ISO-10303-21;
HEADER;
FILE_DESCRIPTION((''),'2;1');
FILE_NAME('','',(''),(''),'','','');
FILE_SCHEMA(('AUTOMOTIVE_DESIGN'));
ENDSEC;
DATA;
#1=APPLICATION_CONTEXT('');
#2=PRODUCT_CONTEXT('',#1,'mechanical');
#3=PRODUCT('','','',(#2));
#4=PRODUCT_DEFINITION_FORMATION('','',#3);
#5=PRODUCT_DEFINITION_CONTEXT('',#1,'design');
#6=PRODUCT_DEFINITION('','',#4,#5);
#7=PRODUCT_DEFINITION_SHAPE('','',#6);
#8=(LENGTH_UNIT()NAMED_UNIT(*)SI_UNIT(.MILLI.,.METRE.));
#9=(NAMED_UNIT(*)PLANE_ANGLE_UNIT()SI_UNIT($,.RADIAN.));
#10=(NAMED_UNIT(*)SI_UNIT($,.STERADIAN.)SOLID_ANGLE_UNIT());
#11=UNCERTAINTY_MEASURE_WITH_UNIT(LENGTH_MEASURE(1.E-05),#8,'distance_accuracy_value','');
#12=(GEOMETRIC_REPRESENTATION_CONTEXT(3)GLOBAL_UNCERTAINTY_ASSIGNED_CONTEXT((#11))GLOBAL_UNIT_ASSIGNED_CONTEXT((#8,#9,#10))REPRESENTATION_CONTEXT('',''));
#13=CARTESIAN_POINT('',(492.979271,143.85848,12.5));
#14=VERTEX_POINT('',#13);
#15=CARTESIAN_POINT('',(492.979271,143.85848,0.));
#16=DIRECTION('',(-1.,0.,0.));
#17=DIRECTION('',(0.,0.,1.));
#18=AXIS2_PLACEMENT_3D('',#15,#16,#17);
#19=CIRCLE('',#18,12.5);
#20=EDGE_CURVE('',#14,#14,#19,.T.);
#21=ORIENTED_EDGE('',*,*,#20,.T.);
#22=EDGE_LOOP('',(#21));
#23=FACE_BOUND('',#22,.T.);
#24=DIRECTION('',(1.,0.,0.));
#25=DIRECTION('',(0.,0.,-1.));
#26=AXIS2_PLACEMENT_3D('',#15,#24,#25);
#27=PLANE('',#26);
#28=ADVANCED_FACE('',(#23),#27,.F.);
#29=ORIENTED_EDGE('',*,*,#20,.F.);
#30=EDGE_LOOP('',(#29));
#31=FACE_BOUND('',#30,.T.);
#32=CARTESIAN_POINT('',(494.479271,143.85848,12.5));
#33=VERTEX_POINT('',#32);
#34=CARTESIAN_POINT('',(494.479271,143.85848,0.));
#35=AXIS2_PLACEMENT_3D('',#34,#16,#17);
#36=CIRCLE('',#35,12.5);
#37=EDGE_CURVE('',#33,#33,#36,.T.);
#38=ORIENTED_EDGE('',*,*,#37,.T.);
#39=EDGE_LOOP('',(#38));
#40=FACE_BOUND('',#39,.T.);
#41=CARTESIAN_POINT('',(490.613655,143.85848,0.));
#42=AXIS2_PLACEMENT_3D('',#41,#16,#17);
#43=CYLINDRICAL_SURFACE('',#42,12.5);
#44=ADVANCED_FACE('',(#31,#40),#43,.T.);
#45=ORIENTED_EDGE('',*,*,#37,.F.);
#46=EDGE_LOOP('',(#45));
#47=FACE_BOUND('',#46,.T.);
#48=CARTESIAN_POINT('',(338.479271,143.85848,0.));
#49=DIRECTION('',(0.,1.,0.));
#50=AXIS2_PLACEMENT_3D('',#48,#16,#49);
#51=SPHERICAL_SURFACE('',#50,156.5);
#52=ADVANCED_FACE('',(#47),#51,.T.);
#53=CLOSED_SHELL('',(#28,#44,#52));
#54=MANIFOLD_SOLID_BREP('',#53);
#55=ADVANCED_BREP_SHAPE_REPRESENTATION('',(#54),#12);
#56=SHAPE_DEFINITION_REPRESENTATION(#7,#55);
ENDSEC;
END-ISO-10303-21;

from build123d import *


with BuildPart() as part:
    # 草图1 → 旋转1 (revolve)
    with BuildSketch(Plane.XY):
        with BuildLine():
            Line((492.979271375, 143.858480456), (492.979271375, 156.358480456))
            Line((492.979271375, 156.358480456), (494.479271375, 156.358480456))
            ThreePointArc((494.479271375, 156.358480456), (494.854221415, 150.113478457), (494.979271375, 143.858480456))
            Line((494.979271375, 143.858480456), (492.979271375, 143.858480456))
        make_face()
    revolve(axis=Axis((490.613655472, 143.858480456, 0), (1, 0, 0)))


solid = part.part
